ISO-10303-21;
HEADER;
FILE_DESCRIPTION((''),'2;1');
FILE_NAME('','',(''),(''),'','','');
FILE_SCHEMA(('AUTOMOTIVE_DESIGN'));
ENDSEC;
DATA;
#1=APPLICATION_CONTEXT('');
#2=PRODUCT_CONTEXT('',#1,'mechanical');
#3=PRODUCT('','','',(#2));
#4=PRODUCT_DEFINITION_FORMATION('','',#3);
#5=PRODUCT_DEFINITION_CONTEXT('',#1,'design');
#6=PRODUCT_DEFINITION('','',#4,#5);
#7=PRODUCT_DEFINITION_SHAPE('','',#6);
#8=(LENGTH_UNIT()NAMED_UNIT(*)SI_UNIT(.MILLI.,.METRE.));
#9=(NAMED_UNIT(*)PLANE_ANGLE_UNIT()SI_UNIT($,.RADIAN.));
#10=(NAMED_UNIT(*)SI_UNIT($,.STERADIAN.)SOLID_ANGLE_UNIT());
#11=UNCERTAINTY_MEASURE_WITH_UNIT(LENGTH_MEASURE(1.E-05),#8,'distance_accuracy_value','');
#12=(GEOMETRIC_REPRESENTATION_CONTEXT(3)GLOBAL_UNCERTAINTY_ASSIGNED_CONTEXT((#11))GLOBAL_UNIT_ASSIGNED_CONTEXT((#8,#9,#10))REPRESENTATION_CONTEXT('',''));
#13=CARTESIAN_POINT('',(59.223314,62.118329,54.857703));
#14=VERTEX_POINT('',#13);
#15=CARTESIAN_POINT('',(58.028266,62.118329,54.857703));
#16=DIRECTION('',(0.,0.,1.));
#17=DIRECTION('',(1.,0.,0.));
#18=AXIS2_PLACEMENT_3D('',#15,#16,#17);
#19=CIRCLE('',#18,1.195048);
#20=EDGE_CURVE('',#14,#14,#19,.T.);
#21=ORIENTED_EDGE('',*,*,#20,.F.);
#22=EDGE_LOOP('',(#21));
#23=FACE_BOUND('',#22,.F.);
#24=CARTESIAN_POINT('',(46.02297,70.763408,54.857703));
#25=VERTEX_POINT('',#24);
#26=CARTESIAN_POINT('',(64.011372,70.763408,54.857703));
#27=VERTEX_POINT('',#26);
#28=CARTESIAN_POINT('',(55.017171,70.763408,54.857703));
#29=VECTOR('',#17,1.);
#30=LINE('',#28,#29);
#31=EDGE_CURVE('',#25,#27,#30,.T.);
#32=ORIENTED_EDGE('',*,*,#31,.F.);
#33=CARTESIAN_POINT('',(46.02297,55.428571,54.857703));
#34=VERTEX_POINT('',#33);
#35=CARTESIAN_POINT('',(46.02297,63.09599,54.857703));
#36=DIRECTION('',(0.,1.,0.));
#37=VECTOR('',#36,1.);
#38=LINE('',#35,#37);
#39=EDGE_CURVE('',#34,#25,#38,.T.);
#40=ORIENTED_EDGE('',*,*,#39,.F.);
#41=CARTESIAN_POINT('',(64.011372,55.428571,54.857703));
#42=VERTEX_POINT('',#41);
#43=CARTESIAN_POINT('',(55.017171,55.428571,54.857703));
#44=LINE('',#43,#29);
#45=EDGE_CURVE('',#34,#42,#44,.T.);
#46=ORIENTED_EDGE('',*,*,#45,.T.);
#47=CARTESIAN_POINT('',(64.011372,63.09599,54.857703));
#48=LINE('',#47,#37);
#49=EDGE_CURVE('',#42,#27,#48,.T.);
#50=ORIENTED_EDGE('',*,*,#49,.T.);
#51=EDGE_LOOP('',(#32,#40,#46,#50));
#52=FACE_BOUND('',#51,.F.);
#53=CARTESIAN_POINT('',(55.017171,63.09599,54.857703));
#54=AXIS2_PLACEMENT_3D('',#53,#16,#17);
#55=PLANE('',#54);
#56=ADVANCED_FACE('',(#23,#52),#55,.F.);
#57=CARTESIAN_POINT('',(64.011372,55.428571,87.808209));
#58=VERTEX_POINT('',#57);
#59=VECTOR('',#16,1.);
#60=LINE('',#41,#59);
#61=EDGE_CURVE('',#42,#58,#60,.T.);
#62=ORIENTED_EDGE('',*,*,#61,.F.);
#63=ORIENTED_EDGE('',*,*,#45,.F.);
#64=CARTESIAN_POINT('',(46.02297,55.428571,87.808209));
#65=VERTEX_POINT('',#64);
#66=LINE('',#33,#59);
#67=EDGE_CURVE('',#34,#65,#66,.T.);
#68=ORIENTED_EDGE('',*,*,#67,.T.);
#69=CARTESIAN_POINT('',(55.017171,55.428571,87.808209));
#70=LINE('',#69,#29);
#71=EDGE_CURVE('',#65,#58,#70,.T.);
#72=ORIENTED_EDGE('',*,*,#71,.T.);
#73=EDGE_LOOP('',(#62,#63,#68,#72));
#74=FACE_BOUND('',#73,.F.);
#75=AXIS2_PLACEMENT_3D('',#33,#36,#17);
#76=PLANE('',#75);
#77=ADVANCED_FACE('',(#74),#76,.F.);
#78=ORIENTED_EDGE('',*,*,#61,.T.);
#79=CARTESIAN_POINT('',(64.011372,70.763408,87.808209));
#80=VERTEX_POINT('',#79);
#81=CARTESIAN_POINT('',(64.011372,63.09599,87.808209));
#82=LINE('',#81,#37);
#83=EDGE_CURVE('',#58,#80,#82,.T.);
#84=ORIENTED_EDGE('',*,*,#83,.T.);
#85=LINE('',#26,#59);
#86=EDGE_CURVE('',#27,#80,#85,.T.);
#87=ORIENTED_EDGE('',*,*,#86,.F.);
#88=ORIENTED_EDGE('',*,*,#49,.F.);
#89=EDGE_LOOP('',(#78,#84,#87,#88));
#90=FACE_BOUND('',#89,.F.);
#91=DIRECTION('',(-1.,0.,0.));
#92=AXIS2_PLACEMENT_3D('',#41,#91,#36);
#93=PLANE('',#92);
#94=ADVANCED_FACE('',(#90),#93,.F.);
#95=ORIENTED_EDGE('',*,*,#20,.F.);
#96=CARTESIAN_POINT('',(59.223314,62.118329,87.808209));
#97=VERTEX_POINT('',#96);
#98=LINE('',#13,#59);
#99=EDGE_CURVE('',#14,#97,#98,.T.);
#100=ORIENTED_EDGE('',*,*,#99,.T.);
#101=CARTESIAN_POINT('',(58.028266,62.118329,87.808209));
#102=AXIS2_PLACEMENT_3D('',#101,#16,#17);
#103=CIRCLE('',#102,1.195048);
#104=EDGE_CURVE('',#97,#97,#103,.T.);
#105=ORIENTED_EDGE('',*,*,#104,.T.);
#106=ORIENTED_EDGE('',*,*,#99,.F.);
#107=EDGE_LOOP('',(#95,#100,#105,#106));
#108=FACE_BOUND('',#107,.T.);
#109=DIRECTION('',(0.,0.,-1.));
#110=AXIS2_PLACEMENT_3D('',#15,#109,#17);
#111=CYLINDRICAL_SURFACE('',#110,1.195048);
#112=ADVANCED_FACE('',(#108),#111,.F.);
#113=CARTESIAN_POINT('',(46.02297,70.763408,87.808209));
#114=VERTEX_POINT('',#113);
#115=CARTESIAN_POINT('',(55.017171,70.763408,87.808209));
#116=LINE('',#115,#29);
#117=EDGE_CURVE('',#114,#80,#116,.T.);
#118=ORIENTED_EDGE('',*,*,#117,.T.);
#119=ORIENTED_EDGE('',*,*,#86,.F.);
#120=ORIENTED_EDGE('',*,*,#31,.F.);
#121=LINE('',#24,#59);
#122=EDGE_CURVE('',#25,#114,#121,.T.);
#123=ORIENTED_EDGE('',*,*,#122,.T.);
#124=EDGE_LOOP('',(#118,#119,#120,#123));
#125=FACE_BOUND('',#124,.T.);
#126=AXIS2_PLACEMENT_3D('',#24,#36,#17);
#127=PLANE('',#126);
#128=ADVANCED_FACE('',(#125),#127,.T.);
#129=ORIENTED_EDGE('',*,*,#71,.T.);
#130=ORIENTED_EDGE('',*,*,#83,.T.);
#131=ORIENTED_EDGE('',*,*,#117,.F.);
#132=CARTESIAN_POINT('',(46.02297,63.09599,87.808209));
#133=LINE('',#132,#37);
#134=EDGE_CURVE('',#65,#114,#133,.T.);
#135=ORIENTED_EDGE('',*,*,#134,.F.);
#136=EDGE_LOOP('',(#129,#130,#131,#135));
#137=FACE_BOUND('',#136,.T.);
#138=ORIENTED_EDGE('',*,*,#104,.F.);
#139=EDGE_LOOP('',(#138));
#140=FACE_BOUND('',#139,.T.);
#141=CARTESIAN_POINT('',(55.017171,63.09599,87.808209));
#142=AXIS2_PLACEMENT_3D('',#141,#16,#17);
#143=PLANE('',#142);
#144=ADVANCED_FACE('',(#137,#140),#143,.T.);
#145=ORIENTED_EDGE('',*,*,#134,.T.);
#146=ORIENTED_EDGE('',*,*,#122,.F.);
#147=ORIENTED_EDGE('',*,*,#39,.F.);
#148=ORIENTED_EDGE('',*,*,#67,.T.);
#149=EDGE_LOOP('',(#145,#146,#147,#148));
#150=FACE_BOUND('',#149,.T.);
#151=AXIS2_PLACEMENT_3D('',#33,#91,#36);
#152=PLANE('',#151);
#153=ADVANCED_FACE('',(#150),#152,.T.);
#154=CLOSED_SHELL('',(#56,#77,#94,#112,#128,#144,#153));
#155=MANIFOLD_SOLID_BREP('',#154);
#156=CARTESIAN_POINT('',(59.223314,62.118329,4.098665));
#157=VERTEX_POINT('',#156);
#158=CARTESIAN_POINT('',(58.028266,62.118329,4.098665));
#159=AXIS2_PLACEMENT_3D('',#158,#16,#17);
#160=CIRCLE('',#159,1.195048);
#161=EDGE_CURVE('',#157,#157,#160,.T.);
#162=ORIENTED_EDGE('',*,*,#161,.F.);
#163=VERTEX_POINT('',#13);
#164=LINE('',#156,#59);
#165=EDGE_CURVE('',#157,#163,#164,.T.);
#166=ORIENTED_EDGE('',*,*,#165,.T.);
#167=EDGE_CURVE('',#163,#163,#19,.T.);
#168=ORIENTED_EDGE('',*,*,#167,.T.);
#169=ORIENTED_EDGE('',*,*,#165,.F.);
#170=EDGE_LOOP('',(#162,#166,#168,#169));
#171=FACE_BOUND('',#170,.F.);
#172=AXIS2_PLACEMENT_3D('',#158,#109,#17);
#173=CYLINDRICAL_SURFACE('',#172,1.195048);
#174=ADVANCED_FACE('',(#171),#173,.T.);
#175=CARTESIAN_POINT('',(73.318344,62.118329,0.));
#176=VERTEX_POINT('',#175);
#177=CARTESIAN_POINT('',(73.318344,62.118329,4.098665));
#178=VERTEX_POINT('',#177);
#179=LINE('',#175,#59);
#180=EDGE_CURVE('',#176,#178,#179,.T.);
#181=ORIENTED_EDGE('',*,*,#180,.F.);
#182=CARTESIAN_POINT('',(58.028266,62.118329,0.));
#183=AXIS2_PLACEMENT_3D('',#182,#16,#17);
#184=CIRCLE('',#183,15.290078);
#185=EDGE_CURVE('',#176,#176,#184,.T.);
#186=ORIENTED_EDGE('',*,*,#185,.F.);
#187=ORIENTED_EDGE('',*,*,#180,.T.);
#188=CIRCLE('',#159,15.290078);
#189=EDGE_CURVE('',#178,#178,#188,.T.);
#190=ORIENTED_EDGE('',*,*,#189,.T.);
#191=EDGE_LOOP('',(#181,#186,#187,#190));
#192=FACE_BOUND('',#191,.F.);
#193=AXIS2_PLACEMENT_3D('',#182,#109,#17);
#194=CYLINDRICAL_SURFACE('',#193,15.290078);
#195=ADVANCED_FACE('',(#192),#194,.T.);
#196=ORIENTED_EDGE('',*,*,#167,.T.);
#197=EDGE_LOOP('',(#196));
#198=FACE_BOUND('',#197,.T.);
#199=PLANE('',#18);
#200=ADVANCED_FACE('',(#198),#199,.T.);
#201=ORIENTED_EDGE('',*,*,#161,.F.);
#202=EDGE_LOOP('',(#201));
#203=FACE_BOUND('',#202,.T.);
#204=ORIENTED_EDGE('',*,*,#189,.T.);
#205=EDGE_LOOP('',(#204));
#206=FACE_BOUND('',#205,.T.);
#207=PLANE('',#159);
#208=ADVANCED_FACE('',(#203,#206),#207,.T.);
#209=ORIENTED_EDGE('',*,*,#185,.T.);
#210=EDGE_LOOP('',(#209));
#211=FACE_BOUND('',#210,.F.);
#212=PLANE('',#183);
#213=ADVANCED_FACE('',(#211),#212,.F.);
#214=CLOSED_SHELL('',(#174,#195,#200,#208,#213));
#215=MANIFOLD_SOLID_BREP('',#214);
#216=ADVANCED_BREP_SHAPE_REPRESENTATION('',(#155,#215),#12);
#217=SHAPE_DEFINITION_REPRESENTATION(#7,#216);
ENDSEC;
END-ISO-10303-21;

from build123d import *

# Parameters (mm, degrees)
F0_R     = 15.290078
F1_DEPTH = 4.098665
F2_R     = 1.195048
F3_DEPTH = 50.759038
F4_W     = 17.988403
F4_H     = 15.334837
F4_R     = 1.195048
F5_DEPTH = 32.950506


with BuildPart() as f1:
    # F0 (on Top) → F1 (new body)
    with BuildSketch(Plane.XY):
        with Locations((58.028266, 62.118329)):
            Circle(F0_R)
    extrude(amount=F1_DEPTH)

    # F2 (on face) → F3 (join)
    with BuildSketch(Plane.XY.offset(4.098665)):
        with Locations((58.028266, 62.118329)):
            Circle(F2_R)
    extrude(amount=F3_DEPTH)


with BuildPart() as f5:
    # F4 (on face) → F5 (new body)
    with BuildSketch(Plane.XY.offset(54.857703)):
        with Locations((55.017171, 63.09599)):
            Rectangle(F4_W, F4_H)
        with Locations((58.028266, 62.118329)):
            Circle(F4_R, mode=Mode.SUBTRACT)
    extrude(amount=F5_DEPTH)


solid = Compound([f1.part, f5.part])
